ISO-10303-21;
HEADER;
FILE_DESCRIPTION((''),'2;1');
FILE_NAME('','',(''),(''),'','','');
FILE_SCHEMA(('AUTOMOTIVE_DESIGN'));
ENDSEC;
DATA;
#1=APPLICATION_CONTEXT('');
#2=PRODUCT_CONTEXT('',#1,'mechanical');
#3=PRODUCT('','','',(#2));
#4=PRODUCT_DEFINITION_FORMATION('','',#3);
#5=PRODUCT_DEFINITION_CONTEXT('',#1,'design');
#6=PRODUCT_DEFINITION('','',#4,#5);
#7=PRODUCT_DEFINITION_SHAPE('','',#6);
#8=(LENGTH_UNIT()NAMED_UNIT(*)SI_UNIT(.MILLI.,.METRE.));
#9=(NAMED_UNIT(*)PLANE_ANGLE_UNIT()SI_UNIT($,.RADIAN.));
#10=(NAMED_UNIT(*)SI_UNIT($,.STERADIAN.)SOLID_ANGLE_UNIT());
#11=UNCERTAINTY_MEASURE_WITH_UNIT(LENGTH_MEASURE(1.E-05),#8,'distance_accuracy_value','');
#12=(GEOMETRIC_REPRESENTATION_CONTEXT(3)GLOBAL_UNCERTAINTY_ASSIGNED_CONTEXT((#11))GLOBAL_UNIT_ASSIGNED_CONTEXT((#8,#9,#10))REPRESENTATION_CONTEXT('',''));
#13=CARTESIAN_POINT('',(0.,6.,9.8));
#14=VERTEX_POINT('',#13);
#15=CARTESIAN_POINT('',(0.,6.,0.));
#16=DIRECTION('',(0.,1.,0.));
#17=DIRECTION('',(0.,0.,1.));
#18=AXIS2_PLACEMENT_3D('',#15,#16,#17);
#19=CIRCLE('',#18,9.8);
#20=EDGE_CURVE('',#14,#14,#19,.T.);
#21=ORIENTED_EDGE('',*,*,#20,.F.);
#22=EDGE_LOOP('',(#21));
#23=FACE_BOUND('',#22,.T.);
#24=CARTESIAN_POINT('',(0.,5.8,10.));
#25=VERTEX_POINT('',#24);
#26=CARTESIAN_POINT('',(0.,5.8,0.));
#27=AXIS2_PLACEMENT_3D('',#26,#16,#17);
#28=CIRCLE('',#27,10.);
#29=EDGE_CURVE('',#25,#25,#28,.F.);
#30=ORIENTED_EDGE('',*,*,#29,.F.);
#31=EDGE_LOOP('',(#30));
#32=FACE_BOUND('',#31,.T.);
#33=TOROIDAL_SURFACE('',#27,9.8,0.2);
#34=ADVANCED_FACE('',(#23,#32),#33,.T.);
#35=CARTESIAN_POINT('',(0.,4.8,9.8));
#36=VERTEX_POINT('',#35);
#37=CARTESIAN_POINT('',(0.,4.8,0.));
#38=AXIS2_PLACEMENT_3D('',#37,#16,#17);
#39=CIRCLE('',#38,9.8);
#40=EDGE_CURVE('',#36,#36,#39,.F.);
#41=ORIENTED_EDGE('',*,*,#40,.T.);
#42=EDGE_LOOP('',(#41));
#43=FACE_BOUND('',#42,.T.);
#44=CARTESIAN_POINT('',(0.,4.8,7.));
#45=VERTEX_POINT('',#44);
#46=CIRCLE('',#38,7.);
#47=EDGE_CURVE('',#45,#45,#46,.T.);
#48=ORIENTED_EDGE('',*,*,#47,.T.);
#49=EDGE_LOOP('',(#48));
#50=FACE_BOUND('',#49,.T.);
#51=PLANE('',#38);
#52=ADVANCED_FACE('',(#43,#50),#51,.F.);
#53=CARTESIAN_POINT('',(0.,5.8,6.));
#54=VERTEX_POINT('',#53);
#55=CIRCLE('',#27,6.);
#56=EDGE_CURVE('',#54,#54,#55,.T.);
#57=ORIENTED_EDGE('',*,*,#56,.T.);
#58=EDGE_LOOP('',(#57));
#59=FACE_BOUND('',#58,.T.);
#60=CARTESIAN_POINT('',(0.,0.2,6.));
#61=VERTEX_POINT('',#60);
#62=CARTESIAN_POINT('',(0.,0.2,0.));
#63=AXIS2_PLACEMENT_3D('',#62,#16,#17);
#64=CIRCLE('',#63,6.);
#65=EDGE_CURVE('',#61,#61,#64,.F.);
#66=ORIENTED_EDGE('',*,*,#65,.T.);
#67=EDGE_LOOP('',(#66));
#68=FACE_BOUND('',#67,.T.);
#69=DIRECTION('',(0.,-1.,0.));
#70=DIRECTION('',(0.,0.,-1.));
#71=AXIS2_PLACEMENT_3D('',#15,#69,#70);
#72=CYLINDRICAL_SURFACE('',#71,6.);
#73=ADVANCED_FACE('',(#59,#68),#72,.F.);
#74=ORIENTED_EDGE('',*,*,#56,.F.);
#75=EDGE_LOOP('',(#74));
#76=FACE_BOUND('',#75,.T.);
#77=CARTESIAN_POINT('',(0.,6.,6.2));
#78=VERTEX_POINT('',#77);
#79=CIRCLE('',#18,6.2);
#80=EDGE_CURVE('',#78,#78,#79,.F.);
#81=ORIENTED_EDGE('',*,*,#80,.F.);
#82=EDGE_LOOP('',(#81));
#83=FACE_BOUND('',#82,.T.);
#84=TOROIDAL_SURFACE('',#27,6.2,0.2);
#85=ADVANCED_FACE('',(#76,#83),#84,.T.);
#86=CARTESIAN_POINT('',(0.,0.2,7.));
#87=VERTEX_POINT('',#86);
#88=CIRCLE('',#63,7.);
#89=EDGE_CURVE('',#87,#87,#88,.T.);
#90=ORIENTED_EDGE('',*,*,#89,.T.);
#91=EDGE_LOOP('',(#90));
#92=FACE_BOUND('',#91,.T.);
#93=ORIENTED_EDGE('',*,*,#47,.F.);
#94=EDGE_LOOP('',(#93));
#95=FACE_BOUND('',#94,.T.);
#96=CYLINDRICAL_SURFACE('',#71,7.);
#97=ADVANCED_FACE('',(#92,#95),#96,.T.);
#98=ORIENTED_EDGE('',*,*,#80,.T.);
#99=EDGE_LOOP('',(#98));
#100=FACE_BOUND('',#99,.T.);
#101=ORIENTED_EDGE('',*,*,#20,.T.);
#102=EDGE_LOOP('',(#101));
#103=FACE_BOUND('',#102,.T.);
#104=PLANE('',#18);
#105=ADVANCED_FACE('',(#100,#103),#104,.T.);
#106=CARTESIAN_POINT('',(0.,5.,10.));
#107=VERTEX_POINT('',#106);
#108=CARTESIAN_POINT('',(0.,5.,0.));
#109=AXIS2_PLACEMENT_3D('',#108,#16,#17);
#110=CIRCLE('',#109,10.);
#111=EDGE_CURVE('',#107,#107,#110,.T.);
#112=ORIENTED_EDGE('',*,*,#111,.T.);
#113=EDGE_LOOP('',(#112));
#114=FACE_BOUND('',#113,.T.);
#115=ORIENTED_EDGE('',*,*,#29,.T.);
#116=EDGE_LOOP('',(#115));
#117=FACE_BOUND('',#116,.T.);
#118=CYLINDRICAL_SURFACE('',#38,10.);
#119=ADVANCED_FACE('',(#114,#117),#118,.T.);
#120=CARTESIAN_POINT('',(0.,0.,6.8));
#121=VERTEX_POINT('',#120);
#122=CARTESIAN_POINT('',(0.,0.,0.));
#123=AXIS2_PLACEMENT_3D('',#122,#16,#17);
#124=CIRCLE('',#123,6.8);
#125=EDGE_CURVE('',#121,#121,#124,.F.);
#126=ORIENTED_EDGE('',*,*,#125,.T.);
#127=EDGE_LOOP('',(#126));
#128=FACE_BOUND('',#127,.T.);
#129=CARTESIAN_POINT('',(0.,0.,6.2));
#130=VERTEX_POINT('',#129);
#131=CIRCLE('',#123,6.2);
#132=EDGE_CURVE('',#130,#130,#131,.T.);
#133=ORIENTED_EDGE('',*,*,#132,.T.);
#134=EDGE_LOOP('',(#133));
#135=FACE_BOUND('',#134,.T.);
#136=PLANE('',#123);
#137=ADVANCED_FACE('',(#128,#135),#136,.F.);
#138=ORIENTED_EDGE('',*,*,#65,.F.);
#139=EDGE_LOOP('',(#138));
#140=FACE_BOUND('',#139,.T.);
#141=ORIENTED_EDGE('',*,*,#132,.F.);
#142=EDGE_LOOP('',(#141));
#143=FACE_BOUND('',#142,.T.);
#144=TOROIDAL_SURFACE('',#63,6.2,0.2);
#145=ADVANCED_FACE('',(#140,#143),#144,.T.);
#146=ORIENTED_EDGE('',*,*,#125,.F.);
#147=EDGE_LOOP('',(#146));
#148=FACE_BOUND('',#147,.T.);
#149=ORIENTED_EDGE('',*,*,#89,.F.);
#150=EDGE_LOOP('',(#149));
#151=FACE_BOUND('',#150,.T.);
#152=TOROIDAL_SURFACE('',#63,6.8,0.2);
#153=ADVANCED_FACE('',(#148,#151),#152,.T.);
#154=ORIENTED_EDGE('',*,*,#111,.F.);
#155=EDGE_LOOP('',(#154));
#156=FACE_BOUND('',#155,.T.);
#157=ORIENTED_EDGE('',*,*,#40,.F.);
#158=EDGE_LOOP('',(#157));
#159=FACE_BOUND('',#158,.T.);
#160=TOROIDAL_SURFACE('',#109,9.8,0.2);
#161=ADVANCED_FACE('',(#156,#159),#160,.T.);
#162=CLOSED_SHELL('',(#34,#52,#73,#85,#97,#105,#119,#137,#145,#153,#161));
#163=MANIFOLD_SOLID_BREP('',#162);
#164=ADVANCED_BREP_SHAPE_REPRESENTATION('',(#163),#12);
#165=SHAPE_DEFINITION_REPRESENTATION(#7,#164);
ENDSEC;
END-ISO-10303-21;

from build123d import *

# Parameters (mm, degrees)
SKETCH1_R           = 7
SKETCH1_R_2         = 6
BOSS_EXTRUDE1_DEPTH = 6
BOSS_EXTRUDE2_START = -1.2
SKETCH2_R           = 10
SKETCH2_R_2         = 6
BOSS_EXTRUDE2_DEPTH = 1.2
FILLET1_R           = 0.2


with BuildPart() as part:
    # Sketch1 → Boss-Extrude1 (new body)
    with BuildSketch(Plane(origin=(0, 0, 0), x_dir=(1, 0, 0), z_dir=(0, 1, 0))):
        with Locations(Location((0, 0, 0), (0, 0, 270))):
            Circle(SKETCH1_R)
        with Locations(Location((0, 0, 0), (0, 0, 270))):
            Circle(SKETCH1_R_2, mode=Mode.SUBTRACT)
    extrude(amount=BOSS_EXTRUDE1_DEPTH)

    # Sketch2 → Boss-Extrude2 (add)
    with BuildSketch(Plane(origin=(0, 6, 0), x_dir=(1, 0, 0), z_dir=(0, 1, 0)).offset(BOSS_EXTRUDE2_START)):
        with Locations(Location((0, 0, 0), (0, 0, 270))):
            Circle(SKETCH2_R)
        with Locations(Location((0, 0, 0), (0, 0, 270))):
            Circle(SKETCH2_R_2, mode=Mode.SUBTRACT)
    extrude(amount=BOSS_EXTRUDE2_DEPTH)

    # Fillet1
    fillet1_edges = [part.edges().sort_by_distance(p)[0] for p in [
        (0, 6, -10),
        (0, 4.8, -10),
        (0, 0, -7),
        (0, 0, -6),
        (0, 6, -6),
    ]]
    fillet(fillet1_edges, radius=FILLET1_R)


solid = part.part
